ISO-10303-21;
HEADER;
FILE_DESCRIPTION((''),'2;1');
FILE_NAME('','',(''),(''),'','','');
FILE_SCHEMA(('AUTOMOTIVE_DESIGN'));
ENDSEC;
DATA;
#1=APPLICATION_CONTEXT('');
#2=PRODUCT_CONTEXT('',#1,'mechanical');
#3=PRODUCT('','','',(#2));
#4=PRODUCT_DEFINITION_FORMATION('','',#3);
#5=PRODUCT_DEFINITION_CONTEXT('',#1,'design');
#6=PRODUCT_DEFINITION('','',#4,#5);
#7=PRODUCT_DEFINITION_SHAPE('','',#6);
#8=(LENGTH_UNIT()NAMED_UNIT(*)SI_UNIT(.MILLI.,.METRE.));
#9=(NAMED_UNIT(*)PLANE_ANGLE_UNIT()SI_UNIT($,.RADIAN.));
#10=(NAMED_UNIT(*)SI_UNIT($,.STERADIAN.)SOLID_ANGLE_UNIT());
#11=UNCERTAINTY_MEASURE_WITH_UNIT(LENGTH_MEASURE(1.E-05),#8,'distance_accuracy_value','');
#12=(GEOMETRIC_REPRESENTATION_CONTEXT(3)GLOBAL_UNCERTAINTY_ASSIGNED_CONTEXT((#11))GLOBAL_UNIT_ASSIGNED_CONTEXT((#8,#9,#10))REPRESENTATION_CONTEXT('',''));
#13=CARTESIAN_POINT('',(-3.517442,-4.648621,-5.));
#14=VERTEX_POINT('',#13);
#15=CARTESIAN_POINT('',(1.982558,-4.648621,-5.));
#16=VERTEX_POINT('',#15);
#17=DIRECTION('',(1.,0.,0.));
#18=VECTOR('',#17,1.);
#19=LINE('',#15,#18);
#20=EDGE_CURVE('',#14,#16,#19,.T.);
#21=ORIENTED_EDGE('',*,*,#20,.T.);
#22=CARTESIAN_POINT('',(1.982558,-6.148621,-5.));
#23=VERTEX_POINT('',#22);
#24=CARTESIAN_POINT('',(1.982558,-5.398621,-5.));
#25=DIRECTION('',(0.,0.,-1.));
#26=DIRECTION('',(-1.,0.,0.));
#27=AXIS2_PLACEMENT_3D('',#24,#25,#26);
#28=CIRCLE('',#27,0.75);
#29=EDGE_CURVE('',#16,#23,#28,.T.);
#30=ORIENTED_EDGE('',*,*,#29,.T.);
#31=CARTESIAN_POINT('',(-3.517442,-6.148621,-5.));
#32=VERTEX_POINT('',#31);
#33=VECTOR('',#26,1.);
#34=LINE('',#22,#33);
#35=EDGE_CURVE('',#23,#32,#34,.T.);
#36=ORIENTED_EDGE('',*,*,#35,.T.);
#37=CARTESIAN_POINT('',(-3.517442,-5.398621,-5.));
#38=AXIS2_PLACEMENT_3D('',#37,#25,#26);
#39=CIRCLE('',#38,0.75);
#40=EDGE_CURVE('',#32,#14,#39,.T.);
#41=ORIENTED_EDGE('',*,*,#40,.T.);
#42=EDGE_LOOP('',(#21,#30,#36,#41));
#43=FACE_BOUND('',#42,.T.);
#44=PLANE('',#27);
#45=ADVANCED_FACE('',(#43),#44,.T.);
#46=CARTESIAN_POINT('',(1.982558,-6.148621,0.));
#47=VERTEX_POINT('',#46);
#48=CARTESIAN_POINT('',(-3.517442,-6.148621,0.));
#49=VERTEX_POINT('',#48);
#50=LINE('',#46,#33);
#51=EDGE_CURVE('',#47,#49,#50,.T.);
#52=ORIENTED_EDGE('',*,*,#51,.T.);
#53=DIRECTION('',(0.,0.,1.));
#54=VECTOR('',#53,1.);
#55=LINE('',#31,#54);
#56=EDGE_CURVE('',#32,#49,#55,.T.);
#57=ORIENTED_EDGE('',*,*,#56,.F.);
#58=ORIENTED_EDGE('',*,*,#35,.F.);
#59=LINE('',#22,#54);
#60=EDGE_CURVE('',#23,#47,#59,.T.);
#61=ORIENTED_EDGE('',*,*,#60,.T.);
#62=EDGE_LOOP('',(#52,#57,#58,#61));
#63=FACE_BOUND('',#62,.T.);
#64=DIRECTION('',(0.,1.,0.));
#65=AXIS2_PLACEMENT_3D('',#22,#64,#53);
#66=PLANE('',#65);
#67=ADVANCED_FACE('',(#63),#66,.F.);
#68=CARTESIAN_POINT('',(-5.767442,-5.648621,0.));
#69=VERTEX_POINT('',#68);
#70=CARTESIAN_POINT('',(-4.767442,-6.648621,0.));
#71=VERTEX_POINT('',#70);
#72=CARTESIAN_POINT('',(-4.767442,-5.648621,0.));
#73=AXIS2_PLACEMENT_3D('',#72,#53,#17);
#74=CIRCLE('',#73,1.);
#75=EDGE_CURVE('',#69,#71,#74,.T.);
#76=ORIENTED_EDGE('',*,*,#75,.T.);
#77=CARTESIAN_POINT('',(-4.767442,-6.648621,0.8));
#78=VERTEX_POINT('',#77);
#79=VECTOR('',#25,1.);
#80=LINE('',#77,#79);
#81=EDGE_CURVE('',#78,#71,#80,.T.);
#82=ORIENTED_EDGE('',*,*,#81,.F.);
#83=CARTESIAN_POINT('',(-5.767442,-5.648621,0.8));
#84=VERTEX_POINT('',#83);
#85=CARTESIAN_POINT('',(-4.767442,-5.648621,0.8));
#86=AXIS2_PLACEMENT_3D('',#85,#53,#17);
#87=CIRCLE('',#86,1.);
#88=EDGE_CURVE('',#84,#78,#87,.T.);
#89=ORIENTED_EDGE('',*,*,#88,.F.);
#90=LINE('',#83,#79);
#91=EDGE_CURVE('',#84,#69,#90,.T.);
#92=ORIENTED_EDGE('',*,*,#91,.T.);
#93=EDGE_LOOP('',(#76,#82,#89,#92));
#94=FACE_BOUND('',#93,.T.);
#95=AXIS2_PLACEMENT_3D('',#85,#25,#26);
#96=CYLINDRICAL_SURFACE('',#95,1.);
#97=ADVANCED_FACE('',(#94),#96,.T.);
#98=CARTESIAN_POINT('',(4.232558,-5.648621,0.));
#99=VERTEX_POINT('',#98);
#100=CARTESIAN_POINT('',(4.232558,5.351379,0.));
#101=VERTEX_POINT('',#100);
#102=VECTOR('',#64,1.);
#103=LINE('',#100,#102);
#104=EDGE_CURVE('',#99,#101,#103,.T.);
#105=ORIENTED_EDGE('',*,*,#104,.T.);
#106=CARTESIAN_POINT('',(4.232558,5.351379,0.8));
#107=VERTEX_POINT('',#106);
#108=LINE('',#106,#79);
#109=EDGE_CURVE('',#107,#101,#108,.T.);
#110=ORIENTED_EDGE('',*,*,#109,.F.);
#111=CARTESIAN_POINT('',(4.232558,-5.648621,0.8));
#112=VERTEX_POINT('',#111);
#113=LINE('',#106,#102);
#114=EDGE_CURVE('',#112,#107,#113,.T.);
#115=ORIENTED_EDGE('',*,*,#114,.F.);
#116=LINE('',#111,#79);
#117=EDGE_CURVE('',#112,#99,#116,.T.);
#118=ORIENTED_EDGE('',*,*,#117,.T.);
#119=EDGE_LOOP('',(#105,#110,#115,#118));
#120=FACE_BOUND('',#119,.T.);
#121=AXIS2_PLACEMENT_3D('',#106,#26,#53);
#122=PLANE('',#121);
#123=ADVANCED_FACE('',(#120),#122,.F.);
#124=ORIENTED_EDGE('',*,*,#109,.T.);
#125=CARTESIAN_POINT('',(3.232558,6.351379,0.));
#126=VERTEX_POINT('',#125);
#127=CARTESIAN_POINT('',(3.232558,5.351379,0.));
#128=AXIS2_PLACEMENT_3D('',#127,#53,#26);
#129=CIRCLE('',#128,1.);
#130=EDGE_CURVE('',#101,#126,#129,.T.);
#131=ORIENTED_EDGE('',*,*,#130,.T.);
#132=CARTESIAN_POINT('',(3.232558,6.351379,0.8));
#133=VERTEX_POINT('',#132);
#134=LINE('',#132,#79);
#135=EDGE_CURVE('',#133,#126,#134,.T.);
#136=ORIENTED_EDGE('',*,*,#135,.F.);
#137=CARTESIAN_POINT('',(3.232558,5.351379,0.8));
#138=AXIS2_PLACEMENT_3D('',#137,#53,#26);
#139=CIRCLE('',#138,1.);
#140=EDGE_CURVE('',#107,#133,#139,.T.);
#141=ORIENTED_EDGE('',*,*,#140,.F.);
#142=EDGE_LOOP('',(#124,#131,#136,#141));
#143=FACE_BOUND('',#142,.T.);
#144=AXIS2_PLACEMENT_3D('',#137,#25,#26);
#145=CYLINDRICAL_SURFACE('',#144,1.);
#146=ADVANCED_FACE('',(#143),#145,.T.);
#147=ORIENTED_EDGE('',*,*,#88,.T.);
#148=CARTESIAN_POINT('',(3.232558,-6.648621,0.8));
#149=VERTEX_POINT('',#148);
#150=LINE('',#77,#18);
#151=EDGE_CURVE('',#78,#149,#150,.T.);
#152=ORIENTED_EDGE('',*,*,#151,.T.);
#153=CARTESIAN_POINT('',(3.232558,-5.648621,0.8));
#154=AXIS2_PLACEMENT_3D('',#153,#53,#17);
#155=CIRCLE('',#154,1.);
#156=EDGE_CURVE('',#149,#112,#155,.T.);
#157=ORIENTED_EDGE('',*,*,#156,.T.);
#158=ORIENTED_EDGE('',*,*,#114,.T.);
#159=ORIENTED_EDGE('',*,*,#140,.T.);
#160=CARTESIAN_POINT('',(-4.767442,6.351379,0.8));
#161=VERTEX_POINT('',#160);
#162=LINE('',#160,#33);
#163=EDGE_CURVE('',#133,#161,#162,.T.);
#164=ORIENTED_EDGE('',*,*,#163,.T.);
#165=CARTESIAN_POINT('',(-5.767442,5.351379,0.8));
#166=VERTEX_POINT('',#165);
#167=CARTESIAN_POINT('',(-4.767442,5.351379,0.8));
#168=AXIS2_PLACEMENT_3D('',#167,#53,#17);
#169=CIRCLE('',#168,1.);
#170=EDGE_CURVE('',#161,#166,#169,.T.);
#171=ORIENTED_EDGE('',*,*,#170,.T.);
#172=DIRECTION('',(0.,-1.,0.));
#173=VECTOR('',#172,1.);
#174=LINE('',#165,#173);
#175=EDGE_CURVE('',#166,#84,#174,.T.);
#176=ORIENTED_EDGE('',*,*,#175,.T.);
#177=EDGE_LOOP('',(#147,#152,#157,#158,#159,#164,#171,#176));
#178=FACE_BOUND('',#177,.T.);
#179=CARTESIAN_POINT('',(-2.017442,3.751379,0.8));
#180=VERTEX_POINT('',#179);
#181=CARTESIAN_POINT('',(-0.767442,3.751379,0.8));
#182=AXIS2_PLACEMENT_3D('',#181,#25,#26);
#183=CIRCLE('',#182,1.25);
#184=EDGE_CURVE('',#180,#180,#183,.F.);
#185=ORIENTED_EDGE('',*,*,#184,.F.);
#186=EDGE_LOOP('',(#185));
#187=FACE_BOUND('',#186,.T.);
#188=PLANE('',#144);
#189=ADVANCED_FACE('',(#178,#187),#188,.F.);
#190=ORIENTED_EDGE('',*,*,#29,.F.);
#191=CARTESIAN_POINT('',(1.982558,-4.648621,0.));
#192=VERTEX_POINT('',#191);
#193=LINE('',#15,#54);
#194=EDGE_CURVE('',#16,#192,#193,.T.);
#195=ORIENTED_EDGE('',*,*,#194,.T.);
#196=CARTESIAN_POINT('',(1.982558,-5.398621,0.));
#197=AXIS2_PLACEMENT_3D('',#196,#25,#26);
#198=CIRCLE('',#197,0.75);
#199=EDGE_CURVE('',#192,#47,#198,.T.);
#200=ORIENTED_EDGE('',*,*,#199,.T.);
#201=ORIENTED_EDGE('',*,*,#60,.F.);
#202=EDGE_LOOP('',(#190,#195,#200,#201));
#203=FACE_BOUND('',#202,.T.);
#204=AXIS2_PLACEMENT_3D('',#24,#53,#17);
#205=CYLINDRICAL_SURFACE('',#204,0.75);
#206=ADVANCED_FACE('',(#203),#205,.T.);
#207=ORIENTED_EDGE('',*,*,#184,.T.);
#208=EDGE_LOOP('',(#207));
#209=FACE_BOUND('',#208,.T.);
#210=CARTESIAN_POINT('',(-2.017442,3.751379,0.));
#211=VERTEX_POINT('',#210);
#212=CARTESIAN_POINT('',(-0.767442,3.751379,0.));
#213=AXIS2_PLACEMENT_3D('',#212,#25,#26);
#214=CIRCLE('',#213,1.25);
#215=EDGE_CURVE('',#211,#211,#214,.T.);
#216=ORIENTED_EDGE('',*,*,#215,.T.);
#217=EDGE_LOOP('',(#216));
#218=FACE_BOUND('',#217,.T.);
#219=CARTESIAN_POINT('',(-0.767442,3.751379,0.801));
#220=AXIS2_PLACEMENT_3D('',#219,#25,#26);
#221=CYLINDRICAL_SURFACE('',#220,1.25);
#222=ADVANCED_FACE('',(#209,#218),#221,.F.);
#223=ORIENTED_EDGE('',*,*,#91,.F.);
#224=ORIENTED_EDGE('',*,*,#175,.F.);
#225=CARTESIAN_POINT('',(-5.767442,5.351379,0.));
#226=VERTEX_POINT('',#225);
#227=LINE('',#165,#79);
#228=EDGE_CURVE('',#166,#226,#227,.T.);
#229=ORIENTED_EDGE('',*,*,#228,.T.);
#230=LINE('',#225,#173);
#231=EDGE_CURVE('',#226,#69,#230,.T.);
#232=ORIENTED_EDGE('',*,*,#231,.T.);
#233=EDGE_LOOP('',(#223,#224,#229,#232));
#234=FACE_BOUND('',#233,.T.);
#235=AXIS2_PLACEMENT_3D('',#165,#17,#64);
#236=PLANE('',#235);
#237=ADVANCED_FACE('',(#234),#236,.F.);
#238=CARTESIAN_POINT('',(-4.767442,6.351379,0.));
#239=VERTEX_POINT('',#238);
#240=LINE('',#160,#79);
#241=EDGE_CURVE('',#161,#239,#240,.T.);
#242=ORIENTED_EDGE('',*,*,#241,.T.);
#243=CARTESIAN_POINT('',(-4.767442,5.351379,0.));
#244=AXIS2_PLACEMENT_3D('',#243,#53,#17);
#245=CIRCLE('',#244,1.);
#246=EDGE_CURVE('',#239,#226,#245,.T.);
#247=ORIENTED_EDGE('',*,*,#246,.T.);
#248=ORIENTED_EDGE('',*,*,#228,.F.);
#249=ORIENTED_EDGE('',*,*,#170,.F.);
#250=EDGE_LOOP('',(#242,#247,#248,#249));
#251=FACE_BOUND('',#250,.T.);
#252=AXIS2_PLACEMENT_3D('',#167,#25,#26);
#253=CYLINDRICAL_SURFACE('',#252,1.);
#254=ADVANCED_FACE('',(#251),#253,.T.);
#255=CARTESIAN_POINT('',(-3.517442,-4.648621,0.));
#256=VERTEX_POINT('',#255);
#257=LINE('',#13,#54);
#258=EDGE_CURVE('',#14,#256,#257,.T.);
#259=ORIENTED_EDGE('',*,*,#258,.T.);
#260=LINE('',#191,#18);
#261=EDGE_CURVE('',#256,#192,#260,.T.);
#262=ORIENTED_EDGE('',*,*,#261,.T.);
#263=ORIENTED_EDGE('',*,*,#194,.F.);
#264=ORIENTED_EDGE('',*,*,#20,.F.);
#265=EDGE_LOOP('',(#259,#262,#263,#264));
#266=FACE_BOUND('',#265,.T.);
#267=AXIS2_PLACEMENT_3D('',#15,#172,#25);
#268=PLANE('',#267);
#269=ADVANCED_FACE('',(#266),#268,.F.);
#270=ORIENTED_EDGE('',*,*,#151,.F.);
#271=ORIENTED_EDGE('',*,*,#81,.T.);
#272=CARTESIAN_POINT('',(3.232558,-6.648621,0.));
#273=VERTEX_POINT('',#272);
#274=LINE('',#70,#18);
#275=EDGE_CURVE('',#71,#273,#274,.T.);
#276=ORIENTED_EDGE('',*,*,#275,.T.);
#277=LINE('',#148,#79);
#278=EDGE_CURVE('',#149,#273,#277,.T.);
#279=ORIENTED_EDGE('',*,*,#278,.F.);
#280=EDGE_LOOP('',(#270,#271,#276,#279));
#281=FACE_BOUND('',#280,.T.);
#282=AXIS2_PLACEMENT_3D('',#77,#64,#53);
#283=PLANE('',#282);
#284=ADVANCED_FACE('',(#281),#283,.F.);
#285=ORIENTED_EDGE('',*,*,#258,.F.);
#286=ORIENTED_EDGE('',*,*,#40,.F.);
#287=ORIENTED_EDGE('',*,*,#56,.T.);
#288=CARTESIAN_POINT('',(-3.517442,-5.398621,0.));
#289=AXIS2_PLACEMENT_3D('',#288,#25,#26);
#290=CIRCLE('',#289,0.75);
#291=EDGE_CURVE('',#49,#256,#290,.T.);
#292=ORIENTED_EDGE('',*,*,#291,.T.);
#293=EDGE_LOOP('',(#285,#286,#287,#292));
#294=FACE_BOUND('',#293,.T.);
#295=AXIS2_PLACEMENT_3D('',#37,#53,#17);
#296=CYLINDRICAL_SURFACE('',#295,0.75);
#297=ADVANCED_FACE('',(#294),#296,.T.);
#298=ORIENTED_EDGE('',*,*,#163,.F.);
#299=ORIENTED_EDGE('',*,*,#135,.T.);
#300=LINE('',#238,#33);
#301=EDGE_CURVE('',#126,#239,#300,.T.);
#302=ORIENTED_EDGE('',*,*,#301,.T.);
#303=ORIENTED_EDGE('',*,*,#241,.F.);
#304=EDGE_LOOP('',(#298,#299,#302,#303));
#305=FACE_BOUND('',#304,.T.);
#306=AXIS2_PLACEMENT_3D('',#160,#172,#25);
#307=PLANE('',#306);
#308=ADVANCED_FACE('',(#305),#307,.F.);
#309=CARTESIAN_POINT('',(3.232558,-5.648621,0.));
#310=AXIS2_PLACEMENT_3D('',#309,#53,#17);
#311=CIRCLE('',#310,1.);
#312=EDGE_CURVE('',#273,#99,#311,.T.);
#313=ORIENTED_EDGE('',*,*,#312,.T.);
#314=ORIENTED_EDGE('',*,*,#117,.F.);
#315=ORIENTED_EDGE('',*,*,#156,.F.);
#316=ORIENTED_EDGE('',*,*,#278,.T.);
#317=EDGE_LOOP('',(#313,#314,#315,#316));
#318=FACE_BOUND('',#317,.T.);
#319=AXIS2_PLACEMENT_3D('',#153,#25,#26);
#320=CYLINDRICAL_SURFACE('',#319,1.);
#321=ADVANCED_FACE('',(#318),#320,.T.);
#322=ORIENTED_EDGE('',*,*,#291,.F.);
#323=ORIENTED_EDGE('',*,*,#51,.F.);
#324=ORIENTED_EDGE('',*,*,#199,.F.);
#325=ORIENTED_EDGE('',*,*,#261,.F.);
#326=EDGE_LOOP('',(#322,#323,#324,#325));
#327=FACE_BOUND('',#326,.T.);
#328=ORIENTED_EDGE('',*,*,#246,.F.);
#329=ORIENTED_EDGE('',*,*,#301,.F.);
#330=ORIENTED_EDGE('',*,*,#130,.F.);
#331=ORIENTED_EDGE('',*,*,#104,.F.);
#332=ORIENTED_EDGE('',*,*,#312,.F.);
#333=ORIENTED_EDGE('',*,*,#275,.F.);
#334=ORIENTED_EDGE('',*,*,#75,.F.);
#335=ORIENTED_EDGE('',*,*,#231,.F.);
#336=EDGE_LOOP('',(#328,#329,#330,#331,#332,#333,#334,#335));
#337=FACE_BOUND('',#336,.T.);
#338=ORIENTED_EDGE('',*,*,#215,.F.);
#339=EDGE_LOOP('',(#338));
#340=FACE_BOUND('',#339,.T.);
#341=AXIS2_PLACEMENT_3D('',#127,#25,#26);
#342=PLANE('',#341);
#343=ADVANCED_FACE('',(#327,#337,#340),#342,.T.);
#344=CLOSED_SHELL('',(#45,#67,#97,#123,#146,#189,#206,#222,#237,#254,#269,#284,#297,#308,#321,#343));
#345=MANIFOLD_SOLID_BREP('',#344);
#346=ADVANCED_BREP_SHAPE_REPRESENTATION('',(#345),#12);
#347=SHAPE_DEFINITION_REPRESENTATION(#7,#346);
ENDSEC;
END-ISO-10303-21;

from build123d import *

# Parameters (mm, degrees)
EXTRUDE_1_DEPTH     = 0.8
CUT_EXTRUDE_1_REACH = 2.8
SKETCH_2_R          = 1.25
EXTRUDE_2_DEPTH     = 5


with BuildPart() as part:
    # 草图1 → 凸台-拉伸1 (new body)
    with BuildSketch(Plane.XY):
        with BuildLine():
            Line((-4.76744186, 6.351378938), (3.23255814, 6.351378938))
            ThreePointArc((3.23255814, 6.351378938), (3.939664921, 6.058485719), (4.23255814, 5.351378938))
            Line((4.23255814, 5.351378938), (4.23255814, -5.648621062))
            ThreePointArc((4.23255814, -5.648621062), (3.939664921, -6.355727843), (3.23255814, -6.648621062))
            Line((3.23255814, -6.648621062), (-4.76744186, -6.648621062))
            ThreePointArc((-4.76744186, -6.648621062), (-5.474548642, -6.355727843), (-5.76744186, -5.648621062))
            Line((-5.76744186, -5.648621062), (-5.76744186, 5.351378938))
            ThreePointArc((-5.76744186, 5.351378938), (-5.474548642, 6.058485719), (-4.76744186, 6.351378938))
        make_face()
    extrude(amount=EXTRUDE_1_DEPTH)

    # 草图2 → 切除-拉伸1 (cut, up to next)
    with BuildSketch(Plane(origin=(0, 0, 0), x_dir=(-1, 0, 0), z_dir=(0, 0, -1)), mode=Mode.PRIVATE) as cut_extrude_1_sk1:
        with Locations((0.76744186, 3.751378938)):
            Circle(SKETCH_2_R)
    cut_extrude_1_tool1 = extrude(cut_extrude_1_sk1.sketch, amount=-CUT_EXTRUDE_1_REACH, mode=Mode.PRIVATE) & part.part
    add(cut_extrude_1_tool1.solids().sort_by_distance((-0.767442, 3.751379, 0))[0], mode=Mode.SUBTRACT)

    # 草图3 → 凸台-拉伸2 (add)
    with BuildSketch(Plane(origin=(0, 0, 0), x_dir=(-1, 0, 0), z_dir=(0, 0, -1))):
        with BuildLine():
            Line((-1.98255814, -4.648621062), (3.51744186, -4.648621062))
            ThreePointArc((3.51744186, -4.648621062), (4.26744186, -5.398621062), (3.51744186, -6.148621062))
            Line((3.51744186, -6.148621062), (-1.98255814, -6.148621062))
            ThreePointArc((-1.98255814, -6.148621062), (-2.73255814, -5.398621062), (-1.98255814, -4.648621062))
        make_face()
    extrude(amount=EXTRUDE_2_DEPTH)


solid = part.part
